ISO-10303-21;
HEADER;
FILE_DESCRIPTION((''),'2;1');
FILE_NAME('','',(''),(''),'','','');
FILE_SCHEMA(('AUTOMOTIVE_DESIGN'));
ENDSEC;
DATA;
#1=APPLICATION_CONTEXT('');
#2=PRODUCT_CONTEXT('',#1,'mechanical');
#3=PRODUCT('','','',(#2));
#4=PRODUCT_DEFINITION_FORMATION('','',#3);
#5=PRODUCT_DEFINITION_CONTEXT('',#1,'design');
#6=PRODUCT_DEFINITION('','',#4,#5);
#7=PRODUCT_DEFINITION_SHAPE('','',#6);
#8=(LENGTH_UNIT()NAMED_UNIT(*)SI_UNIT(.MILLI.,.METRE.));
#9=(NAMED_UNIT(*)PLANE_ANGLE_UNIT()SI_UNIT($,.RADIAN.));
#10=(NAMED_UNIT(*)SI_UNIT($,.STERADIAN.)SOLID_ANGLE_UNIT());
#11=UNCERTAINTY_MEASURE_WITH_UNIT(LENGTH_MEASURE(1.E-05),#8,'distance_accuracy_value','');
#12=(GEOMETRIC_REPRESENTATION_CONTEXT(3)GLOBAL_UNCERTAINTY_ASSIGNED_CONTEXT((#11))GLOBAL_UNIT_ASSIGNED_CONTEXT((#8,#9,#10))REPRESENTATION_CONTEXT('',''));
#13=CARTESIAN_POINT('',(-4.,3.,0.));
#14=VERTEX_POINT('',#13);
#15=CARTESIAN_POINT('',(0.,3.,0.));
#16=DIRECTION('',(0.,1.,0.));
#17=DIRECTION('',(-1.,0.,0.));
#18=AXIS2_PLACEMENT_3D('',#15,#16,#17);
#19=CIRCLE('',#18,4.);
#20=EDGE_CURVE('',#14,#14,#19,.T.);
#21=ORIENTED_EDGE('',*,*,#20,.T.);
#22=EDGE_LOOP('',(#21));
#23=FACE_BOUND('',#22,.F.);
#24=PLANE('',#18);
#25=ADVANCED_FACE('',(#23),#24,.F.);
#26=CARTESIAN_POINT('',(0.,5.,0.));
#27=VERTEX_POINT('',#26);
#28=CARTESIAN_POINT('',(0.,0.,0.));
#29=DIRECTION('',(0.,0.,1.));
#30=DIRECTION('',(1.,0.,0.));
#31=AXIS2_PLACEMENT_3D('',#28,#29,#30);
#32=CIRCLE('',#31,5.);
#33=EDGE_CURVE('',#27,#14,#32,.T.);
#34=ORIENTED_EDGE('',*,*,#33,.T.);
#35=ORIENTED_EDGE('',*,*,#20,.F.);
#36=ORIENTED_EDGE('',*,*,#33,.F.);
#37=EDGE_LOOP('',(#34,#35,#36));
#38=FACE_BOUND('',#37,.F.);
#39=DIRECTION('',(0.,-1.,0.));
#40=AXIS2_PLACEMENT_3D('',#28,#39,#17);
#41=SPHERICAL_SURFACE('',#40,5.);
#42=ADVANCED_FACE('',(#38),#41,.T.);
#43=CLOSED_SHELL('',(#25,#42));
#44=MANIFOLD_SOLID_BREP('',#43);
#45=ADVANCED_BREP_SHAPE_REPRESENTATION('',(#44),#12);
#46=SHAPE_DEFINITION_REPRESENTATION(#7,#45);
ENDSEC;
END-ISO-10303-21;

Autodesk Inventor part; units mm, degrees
ref_plane "YZ Plane" through (0, 0, 0) normal (1, 0, 0) x (0, 1, 0)
ref_plane "XZ Plane" through (0, 0, 0) normal (0, 1, 0) x (-1, 0, 0)
ref_plane "XY Plane" through (0, 0, 0) normal (0, 0, 1) x (1, 0, 0)
sketch "Sketch1" plane through (0, 0, 0) normal (0, 0, 1) x (1, 0, 0)
  circle A0 centre (0, 0) radius 5
  line L0 (-4, 3) -> (4, 3)
  line L1 (0, 3) -> (0, 5)
  dimension "d0" = 8
  dimension "d3" = 2
revolve "Revolution1" add sketch "Sketch1" angle 360 about axis through (0, 3, 0) along (0, 1, 0) picked at (-2.4012, 3.2796) contours A0 L1 L0
properties part number "Foot"
